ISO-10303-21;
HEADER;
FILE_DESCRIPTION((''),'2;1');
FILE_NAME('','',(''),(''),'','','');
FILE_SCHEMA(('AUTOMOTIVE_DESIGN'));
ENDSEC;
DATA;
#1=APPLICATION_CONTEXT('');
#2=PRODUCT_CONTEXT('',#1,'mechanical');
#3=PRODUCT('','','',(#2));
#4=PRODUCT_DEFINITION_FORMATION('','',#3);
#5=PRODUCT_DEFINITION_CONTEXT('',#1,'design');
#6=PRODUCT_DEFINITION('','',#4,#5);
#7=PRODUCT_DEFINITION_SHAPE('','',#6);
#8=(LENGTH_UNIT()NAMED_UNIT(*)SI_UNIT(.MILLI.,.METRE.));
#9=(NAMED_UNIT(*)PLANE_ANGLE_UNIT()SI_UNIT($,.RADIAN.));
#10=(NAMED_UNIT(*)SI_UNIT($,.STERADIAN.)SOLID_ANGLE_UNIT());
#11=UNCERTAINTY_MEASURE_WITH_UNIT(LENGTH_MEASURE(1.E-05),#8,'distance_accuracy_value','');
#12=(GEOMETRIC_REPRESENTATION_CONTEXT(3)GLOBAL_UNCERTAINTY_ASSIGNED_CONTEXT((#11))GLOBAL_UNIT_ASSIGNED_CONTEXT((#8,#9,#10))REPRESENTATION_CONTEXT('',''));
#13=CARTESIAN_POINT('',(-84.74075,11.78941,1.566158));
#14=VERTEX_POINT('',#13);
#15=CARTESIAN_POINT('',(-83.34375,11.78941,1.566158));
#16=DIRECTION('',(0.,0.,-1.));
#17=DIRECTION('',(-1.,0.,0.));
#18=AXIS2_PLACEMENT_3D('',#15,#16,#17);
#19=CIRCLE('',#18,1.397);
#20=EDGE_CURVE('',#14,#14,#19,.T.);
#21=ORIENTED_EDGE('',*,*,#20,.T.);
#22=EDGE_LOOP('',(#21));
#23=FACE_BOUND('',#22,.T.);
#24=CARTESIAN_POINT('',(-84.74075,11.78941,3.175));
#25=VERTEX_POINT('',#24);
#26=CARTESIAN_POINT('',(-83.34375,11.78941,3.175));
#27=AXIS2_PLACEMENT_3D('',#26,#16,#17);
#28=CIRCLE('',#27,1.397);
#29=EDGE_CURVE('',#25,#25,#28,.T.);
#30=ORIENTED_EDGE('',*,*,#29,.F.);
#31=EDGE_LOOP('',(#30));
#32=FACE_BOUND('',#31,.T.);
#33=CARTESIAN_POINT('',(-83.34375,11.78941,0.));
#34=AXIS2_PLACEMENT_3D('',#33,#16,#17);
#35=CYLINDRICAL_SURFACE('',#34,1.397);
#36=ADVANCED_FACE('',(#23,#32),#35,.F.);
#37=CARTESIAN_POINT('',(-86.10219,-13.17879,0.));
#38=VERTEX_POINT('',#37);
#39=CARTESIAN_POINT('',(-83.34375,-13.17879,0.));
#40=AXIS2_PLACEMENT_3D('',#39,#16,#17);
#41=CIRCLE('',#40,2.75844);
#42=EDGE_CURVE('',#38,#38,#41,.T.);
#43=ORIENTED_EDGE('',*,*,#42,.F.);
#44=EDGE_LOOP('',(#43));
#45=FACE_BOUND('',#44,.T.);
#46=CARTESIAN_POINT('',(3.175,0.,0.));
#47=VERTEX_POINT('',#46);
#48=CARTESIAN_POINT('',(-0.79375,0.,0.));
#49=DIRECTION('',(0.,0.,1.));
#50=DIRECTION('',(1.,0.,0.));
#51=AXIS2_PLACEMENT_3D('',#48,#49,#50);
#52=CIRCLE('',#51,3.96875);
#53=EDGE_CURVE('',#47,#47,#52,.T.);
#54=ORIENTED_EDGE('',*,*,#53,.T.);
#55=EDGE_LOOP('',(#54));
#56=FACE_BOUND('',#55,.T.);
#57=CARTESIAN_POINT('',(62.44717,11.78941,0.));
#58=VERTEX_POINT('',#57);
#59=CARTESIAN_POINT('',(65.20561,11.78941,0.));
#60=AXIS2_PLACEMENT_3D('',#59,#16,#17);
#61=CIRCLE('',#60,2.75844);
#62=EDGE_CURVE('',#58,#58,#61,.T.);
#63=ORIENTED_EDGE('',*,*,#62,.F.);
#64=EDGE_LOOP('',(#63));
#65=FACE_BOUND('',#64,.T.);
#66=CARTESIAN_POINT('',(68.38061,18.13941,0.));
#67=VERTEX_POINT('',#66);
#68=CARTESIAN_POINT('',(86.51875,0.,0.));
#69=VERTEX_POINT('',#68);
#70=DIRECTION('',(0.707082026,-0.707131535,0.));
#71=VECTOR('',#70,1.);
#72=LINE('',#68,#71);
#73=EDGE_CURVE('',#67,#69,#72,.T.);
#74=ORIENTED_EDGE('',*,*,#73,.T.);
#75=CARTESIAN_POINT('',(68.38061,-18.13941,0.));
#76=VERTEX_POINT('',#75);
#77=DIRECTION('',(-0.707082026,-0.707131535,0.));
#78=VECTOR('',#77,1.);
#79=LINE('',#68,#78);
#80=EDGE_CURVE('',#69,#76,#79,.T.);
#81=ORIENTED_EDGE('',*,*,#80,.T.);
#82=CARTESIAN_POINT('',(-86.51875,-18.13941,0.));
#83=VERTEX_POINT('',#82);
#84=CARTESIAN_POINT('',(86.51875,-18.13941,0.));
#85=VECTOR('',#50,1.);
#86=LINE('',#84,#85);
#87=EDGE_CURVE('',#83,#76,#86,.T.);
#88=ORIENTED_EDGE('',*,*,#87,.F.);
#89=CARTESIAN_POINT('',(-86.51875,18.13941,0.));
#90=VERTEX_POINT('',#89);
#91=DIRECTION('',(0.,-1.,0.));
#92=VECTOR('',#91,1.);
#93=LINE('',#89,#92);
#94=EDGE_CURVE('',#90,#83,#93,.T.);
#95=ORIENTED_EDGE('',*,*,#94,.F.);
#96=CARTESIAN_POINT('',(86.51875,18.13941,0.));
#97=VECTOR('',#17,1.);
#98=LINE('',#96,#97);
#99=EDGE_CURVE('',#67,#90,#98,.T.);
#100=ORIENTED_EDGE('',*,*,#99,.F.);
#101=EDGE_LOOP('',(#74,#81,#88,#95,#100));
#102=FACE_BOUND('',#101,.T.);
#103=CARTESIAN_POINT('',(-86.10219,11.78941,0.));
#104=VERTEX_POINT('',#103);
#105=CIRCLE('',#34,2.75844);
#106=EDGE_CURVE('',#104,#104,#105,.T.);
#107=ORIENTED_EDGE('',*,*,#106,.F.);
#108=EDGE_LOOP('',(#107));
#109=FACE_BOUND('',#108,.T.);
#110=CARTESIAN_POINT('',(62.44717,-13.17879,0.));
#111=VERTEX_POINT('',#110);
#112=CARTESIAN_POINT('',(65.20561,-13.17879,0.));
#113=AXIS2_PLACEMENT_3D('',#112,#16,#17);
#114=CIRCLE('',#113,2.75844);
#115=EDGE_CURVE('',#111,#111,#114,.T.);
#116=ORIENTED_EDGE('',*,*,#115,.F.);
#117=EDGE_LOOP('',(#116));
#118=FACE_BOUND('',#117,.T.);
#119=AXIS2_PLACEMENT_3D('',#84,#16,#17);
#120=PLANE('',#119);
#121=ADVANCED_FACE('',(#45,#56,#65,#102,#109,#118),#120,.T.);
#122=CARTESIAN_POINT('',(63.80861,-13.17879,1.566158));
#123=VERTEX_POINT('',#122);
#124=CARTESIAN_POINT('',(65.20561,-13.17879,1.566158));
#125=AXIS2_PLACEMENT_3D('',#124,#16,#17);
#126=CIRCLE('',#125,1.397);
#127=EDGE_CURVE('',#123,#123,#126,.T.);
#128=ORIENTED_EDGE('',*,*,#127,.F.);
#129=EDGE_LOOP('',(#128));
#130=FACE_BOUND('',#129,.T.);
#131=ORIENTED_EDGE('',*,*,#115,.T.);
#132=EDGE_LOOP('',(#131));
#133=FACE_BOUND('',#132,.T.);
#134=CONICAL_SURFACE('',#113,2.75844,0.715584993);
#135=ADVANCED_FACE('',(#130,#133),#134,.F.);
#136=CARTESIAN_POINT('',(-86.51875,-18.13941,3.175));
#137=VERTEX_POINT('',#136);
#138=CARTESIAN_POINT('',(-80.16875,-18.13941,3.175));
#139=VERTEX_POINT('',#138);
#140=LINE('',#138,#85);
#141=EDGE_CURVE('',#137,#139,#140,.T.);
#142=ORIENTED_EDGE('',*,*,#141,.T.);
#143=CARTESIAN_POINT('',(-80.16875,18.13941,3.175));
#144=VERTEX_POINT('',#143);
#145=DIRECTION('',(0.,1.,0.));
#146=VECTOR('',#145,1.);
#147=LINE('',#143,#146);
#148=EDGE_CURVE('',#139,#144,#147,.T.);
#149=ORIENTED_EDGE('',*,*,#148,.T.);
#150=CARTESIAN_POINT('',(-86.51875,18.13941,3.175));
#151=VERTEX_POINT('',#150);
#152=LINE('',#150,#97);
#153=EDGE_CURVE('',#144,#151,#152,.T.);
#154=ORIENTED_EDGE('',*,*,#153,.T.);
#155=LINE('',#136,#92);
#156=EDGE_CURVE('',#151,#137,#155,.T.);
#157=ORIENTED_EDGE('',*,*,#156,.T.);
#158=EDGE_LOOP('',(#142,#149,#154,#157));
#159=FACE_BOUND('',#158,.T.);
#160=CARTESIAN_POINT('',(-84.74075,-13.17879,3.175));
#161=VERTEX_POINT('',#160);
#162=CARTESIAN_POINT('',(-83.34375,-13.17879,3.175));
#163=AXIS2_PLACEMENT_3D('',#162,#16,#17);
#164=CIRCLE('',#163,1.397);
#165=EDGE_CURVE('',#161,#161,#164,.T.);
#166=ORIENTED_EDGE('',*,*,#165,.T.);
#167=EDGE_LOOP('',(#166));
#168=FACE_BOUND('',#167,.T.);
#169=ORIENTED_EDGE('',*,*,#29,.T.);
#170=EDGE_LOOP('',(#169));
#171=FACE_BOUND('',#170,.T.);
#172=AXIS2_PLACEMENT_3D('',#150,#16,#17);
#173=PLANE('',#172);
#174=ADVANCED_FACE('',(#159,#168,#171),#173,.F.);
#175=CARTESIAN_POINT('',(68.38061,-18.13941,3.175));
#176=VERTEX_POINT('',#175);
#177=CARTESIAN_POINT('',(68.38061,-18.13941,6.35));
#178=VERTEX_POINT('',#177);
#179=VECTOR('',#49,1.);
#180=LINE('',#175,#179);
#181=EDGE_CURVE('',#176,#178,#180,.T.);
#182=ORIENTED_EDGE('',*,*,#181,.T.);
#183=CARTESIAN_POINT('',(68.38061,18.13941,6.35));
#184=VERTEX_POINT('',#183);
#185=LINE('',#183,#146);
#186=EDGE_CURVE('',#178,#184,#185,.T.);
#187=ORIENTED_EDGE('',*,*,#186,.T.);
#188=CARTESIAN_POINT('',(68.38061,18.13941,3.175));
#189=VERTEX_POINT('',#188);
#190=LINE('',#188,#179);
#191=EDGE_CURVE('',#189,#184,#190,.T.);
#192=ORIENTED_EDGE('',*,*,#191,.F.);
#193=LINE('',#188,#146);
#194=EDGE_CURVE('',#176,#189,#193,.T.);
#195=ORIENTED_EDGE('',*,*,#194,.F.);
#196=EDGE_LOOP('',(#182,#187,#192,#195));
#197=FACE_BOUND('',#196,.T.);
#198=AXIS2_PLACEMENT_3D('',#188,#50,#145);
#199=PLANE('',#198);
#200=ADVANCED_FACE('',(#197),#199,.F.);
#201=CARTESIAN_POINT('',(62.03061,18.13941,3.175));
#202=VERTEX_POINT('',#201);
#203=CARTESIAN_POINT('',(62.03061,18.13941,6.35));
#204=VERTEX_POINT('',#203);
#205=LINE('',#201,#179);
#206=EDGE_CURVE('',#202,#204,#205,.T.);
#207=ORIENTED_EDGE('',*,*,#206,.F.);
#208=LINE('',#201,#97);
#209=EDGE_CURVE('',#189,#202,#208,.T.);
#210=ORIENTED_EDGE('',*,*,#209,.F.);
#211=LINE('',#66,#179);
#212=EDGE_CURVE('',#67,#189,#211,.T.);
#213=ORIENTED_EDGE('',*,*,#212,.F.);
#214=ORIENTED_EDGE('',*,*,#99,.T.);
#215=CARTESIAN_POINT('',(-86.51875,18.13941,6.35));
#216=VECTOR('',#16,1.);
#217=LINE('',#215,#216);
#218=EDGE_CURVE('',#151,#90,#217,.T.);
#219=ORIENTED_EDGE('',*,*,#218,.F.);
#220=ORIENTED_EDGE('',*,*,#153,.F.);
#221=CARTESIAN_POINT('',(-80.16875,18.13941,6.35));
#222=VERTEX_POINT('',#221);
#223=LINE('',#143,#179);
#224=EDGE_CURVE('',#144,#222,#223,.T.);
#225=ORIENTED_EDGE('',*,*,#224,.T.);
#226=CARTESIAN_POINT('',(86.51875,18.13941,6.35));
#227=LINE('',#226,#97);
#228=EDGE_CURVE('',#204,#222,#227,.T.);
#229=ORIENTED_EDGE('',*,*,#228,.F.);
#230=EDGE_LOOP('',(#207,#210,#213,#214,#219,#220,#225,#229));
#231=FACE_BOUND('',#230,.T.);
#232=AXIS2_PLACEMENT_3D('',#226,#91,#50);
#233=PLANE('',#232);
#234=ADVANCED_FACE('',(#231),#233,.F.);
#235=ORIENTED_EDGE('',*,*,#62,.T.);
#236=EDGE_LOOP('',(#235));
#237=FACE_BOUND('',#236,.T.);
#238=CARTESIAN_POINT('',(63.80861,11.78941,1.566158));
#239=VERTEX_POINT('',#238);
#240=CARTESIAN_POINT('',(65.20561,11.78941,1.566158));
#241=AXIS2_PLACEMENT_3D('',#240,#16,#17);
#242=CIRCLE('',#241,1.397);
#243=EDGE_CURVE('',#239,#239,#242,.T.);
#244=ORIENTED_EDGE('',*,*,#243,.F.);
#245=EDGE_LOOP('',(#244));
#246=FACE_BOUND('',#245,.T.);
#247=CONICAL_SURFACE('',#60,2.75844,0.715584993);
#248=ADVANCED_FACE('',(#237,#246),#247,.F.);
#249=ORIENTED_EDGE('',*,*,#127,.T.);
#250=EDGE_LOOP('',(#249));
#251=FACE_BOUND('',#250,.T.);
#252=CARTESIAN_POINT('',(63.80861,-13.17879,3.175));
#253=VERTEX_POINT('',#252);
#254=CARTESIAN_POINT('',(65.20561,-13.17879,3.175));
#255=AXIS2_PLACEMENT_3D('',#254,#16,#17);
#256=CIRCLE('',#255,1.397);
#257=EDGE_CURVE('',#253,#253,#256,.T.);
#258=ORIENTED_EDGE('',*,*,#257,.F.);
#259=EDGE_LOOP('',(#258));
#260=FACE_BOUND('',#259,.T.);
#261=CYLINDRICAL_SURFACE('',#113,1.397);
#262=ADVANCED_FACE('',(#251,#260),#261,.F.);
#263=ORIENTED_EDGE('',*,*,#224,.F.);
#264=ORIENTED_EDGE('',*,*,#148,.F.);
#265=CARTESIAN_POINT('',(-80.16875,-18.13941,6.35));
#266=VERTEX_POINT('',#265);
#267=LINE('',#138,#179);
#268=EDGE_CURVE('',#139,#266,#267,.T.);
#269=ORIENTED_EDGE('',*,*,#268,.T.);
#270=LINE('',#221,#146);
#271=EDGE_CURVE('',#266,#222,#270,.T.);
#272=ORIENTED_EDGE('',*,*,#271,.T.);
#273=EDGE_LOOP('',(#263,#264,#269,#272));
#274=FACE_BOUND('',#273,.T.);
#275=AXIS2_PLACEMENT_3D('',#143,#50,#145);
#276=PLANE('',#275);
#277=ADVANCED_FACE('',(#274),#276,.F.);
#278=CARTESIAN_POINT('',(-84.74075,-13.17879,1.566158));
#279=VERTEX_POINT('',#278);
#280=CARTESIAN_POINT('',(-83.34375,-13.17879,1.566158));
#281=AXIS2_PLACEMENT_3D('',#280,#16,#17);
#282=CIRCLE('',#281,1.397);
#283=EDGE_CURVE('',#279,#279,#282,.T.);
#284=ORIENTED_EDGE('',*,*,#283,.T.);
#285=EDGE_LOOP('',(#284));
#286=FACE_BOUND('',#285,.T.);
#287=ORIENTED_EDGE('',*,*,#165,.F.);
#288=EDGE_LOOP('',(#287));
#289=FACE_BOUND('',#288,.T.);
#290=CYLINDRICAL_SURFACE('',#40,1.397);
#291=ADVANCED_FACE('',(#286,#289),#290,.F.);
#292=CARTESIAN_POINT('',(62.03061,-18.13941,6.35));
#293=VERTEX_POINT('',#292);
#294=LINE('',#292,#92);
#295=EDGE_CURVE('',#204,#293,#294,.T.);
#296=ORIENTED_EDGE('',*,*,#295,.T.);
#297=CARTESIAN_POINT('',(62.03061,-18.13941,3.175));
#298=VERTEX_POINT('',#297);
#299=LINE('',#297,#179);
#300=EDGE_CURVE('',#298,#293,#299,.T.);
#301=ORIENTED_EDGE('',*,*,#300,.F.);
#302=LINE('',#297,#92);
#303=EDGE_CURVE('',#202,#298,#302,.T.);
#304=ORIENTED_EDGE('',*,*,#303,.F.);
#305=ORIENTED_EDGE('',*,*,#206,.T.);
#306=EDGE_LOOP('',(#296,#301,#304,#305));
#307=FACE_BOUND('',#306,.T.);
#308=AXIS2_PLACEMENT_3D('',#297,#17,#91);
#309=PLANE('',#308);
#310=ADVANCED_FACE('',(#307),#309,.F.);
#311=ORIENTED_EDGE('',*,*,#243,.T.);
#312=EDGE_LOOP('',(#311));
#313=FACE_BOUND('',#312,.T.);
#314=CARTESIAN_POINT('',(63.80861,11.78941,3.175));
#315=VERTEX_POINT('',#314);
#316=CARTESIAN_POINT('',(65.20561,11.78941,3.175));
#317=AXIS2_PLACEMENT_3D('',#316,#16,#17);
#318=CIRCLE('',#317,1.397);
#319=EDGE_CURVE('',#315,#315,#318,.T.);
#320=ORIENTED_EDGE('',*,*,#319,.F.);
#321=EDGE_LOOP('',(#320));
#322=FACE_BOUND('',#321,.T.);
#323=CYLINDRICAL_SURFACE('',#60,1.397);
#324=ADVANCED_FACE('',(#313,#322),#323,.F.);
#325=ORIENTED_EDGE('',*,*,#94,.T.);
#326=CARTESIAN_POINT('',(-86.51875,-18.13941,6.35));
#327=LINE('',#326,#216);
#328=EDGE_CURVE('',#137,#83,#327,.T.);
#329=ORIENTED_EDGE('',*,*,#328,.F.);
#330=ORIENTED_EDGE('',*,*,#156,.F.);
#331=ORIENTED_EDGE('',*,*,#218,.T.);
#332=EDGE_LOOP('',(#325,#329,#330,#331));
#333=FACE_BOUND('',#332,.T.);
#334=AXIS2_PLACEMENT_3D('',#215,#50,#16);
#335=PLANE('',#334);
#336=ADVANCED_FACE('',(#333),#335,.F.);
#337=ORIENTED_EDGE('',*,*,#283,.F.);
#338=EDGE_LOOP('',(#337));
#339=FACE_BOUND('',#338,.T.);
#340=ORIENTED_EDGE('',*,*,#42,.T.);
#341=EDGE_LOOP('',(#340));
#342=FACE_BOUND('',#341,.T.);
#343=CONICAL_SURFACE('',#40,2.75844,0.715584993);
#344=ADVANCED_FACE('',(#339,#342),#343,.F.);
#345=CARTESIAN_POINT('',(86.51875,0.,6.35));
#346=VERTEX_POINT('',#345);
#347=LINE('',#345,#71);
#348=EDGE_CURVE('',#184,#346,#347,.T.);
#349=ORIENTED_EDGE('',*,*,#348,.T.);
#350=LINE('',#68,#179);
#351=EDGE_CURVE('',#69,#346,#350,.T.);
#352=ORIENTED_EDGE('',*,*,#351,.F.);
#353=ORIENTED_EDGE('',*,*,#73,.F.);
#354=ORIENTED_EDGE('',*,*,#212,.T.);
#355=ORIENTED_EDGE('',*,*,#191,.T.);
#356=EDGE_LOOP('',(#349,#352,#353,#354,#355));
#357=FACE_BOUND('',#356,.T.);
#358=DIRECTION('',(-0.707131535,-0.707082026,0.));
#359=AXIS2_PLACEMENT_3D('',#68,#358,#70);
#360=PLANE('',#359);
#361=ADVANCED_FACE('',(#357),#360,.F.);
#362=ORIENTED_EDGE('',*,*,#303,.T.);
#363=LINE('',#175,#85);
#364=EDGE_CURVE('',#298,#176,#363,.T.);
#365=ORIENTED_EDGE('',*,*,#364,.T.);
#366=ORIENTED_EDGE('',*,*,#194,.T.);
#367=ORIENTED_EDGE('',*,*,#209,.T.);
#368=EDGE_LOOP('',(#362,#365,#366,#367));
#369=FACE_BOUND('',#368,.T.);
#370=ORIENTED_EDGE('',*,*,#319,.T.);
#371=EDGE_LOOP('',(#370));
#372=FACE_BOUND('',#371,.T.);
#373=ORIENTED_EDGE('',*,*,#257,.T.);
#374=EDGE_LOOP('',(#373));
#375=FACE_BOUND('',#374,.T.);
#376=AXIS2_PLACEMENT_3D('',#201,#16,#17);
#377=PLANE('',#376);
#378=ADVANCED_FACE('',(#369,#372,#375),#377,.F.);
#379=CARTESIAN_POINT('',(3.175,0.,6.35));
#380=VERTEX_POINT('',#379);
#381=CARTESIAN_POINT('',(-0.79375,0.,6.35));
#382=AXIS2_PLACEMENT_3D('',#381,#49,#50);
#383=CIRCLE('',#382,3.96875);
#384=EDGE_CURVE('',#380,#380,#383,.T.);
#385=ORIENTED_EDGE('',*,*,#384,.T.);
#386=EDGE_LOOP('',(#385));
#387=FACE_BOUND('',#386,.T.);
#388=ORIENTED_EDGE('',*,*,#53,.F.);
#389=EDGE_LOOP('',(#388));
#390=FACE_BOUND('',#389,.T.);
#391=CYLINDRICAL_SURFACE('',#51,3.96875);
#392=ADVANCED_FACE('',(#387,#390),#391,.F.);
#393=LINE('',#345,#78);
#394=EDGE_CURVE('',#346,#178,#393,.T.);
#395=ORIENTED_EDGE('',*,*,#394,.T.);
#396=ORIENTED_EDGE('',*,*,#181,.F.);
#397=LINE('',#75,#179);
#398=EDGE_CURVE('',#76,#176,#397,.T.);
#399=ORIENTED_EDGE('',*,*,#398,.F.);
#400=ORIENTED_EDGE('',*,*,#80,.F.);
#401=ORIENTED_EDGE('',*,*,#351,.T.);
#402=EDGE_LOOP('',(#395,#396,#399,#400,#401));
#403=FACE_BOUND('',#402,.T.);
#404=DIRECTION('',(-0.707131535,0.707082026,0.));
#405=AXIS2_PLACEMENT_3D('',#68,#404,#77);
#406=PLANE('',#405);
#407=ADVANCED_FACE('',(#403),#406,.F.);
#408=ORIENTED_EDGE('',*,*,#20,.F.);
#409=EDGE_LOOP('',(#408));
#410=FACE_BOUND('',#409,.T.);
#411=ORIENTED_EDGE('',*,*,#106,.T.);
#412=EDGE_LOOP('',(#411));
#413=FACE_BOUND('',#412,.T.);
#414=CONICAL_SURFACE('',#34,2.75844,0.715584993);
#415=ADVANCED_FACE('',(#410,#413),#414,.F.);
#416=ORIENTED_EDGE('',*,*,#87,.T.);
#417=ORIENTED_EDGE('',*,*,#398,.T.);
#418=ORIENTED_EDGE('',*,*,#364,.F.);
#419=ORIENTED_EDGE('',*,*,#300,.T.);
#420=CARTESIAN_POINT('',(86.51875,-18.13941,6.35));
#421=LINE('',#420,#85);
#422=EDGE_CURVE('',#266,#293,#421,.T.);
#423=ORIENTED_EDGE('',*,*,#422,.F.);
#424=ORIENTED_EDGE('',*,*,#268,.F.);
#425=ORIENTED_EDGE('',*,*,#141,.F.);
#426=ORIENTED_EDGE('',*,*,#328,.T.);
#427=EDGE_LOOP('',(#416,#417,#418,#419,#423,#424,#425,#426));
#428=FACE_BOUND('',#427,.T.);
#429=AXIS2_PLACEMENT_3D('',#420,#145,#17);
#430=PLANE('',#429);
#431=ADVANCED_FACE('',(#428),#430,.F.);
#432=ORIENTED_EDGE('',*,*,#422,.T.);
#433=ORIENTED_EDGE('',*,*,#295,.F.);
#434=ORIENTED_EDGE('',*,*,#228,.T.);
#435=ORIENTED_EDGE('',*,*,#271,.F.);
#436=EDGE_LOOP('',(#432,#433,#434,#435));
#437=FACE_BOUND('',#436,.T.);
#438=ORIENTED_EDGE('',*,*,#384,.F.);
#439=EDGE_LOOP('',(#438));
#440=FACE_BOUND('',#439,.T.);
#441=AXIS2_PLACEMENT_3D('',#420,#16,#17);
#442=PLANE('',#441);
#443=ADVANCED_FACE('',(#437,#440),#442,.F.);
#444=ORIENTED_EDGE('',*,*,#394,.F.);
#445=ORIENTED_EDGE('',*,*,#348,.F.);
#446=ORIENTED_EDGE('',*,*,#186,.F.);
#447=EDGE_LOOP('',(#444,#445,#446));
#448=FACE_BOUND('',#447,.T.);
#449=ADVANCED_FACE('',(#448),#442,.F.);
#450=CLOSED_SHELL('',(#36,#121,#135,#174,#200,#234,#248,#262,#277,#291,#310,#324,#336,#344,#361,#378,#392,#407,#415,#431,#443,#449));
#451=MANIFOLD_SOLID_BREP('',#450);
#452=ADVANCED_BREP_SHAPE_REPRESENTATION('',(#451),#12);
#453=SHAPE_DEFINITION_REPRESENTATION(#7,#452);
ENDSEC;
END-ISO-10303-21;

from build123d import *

# Parameters (mm, degrees)
SKETCH1_W                                         = 173.0375
SKETCH1_H                                         = 36.27882
EXTRUDE2_DEPTH                                    = 6.35
SKETCH8_W                                         = 6.35
SKETCH8_H                                         = 36.27882
EXTRUDE7_DEPTH                                    = 3.175
EXTRUDE8_DEPTH                                    = 89.627618702
SKETCH19_R                                        = 3.96875
EXTRUDE9_DEPTH                                    = 89.627618702
CSK_FOR_3_FLAT_HEAD_SOCKET_CAP_SCREW1_D           = 2.794
CSK_FOR_3_FLAT_HEAD_SOCKET_CAP_SCREW1_CSINK_D     = 5.51688
CSK_FOR_3_FLAT_HEAD_SOCKET_CAP_SCREW1_CSINK_ANGLE = 82
CSK_FOR_3_FLAT_HEAD_SOCKET_CAP_SCREW2_D           = 2.794
CSK_FOR_3_FLAT_HEAD_SOCKET_CAP_SCREW2_CSINK_D     = 5.51688
CSK_FOR_3_FLAT_HEAD_SOCKET_CAP_SCREW2_CSINK_ANGLE = 82


with BuildPart() as part:
    # Sketch1 → Extrude2 (new body)
    with BuildSketch(Plane.XY):
        Rectangle(SKETCH1_W, SKETCH1_H)
    extrude(amount=EXTRUDE2_DEPTH)

    # Sketch8 → Extrude7 (cut)
    with BuildSketch(Plane.XY.offset(6.35)):
        with Locations((-83.34375, 0)):
            Rectangle(SKETCH8_W, SKETCH8_H)
        with Locations((65.20561, 0)):
            Rectangle(SKETCH8_W, SKETCH8_H)
    extrude(amount=-EXTRUDE7_DEPTH, mode=Mode.SUBTRACT)

    # Sketch18 → Extrude8 (cut, through all)
    with BuildSketch(Plane.XY.offset(6.35)):
        Polygon((86.51875, 0), (68.38061, 18.13941), (113.519162523, 18.13941), (113.519162523, -18.13941), (68.38061, -18.13941), align=None)
    extrude(amount=-EXTRUDE8_DEPTH, mode=Mode.SUBTRACT)

    # Sketch19 → Extrude9 (cut, through all)
    with BuildSketch(Plane.XY.offset(6.35)):
        with Locations((-0.79375, 0)):
            Circle(SKETCH19_R)
    extrude(amount=-EXTRUDE9_DEPTH, mode=Mode.SUBTRACT)

    # CSK for #3 Flat Head Socket Cap Screw1 (through all)
    with Locations(Plane(origin=(2.381898793, -14.071004552, 0), x_dir=(-1, 0, 0), z_dir=(0, 0, -1))):
        with Locations((-62.823711207, 25.860414552), (-62.823711207, 0.892214552)):
            CounterSinkHole(CSK_FOR_3_FLAT_HEAD_SOCKET_CAP_SCREW1_D / 2, CSK_FOR_3_FLAT_HEAD_SOCKET_CAP_SCREW1_CSINK_D / 2, counter_sink_angle=CSK_FOR_3_FLAT_HEAD_SOCKET_CAP_SCREW1_CSINK_ANGLE)

    # CSK for #3 Flat Head Socket Cap Screw2 (through all)
    with Locations(Plane(origin=(2.381898793, -14.071004552, 0), x_dir=(-1, 0, 0), z_dir=(0, 0, -1))):
        with Locations((85.725648793, 25.860414552), (85.725648793, 0.892214552)):
            CounterSinkHole(CSK_FOR_3_FLAT_HEAD_SOCKET_CAP_SCREW2_D / 2, CSK_FOR_3_FLAT_HEAD_SOCKET_CAP_SCREW2_CSINK_D / 2, counter_sink_angle=CSK_FOR_3_FLAT_HEAD_SOCKET_CAP_SCREW2_CSINK_ANGLE)


solid = part.part
